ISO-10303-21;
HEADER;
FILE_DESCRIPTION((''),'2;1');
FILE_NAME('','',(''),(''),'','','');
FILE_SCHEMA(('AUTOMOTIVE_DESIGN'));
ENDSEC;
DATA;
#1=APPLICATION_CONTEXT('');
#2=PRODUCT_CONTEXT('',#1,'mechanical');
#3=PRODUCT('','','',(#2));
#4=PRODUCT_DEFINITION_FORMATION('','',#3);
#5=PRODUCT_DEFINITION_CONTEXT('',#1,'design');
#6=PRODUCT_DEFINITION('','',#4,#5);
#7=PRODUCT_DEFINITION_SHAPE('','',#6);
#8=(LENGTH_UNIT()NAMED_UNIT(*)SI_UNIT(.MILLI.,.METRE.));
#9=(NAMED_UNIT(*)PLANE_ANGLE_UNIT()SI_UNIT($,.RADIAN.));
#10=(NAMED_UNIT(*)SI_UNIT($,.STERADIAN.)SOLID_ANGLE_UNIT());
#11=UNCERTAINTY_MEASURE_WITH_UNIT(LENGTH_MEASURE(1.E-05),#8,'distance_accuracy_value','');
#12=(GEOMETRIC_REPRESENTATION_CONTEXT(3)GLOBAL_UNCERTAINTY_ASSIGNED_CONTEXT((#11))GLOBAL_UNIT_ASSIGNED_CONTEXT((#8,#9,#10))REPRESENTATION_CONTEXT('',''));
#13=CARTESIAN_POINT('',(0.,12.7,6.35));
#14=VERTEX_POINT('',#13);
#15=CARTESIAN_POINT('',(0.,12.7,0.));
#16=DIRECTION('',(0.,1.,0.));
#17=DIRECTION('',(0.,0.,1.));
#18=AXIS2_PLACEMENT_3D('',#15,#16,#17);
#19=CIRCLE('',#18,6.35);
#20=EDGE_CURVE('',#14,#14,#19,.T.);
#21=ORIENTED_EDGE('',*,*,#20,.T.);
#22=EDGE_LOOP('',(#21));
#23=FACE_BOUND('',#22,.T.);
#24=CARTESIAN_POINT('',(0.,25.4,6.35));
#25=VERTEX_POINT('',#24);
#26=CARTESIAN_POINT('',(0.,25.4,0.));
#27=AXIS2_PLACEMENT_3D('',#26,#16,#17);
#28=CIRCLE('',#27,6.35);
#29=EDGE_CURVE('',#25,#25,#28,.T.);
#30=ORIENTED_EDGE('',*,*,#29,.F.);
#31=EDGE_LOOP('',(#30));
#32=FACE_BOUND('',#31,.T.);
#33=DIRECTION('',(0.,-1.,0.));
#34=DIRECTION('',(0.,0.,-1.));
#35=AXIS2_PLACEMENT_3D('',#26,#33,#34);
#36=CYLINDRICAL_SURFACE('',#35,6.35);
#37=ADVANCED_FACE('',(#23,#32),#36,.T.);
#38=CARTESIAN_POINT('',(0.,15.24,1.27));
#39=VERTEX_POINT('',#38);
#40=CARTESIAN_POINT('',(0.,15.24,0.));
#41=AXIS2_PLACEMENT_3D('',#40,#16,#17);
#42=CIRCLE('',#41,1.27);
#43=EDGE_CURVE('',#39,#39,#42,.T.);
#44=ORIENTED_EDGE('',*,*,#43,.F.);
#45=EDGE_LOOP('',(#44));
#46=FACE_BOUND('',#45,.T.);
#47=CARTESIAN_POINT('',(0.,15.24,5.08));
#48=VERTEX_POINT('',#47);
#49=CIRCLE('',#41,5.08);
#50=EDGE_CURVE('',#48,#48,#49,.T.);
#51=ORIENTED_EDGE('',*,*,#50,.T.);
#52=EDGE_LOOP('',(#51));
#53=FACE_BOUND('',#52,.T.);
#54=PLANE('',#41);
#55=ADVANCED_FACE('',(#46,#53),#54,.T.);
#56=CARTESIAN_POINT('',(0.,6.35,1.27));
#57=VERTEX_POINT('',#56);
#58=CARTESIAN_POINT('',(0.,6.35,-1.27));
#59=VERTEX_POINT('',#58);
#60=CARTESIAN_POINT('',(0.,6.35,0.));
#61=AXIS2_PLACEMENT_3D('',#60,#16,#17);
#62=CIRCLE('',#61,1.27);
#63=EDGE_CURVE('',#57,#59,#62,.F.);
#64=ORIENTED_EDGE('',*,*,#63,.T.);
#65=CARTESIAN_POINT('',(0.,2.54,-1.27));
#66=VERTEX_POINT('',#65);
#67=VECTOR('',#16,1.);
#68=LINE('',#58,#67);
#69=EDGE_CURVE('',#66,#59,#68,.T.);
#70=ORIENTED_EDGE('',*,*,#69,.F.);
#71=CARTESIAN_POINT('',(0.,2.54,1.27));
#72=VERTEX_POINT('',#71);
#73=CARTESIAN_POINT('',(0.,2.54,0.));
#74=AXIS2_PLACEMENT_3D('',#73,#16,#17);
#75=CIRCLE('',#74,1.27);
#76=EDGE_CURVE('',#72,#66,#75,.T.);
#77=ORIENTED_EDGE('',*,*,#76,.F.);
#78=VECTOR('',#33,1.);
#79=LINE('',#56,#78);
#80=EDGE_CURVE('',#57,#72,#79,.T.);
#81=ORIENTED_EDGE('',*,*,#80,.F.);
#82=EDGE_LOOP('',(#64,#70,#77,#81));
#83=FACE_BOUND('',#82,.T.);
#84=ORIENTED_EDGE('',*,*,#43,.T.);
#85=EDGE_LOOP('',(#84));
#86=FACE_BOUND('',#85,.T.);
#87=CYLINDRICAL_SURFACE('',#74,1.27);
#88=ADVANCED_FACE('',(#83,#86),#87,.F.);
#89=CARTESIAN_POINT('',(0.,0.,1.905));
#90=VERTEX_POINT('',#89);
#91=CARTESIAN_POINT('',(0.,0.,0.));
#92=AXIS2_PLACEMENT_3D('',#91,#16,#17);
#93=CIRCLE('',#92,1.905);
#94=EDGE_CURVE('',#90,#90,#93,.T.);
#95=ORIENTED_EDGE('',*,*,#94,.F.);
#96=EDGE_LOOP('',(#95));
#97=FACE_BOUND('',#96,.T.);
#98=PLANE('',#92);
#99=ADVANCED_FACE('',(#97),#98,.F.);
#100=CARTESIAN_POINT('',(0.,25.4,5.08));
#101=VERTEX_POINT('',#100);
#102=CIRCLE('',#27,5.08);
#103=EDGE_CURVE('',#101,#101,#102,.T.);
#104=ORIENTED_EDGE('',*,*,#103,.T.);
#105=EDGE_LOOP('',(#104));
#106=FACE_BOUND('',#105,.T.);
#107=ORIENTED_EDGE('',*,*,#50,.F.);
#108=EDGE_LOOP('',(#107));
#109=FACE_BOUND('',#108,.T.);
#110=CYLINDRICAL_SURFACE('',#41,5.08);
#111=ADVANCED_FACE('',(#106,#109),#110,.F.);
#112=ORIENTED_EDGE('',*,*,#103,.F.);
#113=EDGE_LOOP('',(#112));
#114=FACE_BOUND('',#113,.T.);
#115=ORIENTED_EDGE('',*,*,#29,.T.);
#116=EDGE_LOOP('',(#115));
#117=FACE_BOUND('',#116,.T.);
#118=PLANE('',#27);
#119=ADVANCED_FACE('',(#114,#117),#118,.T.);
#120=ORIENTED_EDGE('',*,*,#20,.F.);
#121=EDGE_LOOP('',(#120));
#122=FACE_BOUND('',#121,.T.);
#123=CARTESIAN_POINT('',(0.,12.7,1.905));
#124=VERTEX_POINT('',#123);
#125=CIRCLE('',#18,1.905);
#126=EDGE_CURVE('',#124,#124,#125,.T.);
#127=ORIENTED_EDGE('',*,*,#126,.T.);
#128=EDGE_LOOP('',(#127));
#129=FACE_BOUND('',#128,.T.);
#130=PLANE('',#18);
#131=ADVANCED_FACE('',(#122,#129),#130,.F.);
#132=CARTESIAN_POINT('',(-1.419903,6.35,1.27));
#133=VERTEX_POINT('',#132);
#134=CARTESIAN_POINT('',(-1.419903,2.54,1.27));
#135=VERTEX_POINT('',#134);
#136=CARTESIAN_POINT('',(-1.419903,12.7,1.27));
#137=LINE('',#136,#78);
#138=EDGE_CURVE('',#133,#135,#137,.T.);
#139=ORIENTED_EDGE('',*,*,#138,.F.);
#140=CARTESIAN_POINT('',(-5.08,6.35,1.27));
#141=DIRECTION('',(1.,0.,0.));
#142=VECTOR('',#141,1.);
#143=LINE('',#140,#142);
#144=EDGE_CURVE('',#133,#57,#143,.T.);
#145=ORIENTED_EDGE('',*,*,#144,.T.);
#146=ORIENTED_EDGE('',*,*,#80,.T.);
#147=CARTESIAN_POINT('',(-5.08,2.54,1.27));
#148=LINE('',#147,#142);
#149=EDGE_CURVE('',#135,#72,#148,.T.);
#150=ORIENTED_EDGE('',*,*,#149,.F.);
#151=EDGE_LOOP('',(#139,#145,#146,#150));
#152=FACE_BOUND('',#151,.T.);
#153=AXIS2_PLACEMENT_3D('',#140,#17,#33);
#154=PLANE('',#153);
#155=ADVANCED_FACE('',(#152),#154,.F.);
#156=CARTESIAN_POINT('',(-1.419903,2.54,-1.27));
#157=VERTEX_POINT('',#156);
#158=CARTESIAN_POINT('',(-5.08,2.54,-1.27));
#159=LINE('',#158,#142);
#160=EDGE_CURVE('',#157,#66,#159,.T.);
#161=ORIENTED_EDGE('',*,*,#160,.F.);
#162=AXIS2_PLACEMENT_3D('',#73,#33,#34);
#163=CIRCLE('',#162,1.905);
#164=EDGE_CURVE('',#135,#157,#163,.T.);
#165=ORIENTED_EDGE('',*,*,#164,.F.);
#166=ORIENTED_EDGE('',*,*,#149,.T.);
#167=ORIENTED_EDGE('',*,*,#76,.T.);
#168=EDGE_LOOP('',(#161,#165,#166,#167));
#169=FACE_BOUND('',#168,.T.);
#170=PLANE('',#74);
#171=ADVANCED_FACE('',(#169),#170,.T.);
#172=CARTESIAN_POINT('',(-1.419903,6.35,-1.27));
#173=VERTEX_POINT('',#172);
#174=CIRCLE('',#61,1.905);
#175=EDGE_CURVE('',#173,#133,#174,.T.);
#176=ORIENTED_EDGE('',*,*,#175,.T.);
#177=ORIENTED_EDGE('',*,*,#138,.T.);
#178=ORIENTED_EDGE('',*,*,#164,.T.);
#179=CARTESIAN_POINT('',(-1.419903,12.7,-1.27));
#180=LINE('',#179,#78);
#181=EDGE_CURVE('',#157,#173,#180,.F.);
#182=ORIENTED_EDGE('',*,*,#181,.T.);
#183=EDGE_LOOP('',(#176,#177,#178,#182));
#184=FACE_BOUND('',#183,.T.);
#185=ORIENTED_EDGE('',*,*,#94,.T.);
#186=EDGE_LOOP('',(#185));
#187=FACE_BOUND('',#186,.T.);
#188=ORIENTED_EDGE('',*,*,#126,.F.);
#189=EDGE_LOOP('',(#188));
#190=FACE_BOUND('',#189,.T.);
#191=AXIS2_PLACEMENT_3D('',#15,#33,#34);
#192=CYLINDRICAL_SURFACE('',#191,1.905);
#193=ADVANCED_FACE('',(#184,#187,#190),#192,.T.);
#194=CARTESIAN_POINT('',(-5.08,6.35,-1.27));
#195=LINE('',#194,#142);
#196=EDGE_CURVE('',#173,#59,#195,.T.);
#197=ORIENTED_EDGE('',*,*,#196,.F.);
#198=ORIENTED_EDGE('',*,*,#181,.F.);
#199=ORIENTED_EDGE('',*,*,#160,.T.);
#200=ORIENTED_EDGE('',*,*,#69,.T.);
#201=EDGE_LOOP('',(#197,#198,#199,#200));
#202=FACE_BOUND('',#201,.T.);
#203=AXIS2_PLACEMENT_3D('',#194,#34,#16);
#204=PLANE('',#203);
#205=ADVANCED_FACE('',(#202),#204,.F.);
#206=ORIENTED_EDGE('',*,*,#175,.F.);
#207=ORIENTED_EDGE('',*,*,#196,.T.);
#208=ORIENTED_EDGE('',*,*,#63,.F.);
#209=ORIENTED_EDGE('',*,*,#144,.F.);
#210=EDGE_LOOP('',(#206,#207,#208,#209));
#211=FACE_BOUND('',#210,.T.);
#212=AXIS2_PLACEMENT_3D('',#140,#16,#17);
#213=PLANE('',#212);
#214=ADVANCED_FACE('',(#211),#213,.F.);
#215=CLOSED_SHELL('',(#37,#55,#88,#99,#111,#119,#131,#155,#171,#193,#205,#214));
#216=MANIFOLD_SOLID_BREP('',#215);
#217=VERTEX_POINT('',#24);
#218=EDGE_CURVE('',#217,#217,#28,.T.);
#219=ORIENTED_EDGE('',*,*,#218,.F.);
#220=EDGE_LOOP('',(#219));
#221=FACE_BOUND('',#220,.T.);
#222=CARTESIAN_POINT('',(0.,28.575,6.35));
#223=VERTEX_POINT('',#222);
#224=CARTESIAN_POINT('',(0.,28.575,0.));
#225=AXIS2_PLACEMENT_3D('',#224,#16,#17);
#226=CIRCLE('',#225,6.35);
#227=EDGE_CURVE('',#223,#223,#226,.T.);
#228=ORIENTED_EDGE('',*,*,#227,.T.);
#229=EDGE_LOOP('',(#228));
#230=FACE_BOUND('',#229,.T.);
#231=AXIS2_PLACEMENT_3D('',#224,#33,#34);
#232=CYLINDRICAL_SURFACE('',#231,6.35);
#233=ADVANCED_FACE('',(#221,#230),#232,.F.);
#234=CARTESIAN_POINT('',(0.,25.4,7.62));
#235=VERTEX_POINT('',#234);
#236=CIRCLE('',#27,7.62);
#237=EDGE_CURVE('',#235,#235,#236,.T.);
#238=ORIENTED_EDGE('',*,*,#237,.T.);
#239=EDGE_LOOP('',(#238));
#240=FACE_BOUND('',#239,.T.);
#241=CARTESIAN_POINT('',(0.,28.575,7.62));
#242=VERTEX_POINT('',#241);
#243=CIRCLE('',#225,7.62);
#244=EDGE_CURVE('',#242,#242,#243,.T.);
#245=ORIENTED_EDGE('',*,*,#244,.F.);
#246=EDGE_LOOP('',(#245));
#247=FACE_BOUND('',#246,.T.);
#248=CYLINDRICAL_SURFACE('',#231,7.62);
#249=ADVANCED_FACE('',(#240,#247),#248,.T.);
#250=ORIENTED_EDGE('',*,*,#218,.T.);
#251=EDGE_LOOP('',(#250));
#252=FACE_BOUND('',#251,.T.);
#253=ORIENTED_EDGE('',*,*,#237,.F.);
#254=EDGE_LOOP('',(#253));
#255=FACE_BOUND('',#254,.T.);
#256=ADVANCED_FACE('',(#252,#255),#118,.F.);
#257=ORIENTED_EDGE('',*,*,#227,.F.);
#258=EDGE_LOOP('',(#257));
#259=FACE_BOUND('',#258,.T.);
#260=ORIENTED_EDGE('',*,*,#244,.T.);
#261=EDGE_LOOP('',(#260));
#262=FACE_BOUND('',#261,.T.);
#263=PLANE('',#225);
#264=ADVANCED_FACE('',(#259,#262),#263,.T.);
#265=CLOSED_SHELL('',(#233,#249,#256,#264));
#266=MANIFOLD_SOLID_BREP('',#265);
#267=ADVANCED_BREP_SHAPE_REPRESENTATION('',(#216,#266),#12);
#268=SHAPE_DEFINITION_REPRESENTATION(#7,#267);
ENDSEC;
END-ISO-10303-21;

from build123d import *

# Parameters (mm, degrees)
SKETCH1_R           = 1.905
BOSS_EXTRUDE1_DEPTH = 12.7
SKETCH2_R           = 6.35
BOSS_EXTRUDE2_DEPTH = 12.7
SKETCH4_R           = 5.08
CUT_EXTRUDE2_DEPTH  = 10.16
SKETCH5_R           = 1.27
CUT_EXTRUDE3_DEPTH  = 12.7
SKETCH6_W           = 2.54
SKETCH6_H           = 3.81
CUT_EXTRUDE4_DEPTH  = 5.08
SKETCH7_R           = 7.62
SKETCH7_R_2         = 6.35
BOSS_EXTRUDE3_DEPTH = 3.175


with BuildPart() as part:
    # Sketch1 → Boss-Extrude1 (new body)
    with BuildSketch(Plane(origin=(0, 0, 0), x_dir=(1, 0, 0), z_dir=(0, 1, 0))):
        with Locations(Location((0, 0, 0), (0, 0, 270))):
            Circle(SKETCH1_R)
    extrude(amount=BOSS_EXTRUDE1_DEPTH)

    # Sketch2 → Boss-Extrude2 (add)
    with BuildSketch(Plane(origin=(0, 12.7, 0), x_dir=(1, 0, 0), z_dir=(0, 1, 0))):
        with Locations(Location((0, 0, 0), (0, 0, 270))):
            Circle(SKETCH2_R)
    extrude(amount=BOSS_EXTRUDE2_DEPTH)

    # Sketch4 → Cut-Extrude2 (cut)
    with BuildSketch(Plane(origin=(0, 25.4, 0), x_dir=(1, 0, 0), z_dir=(0, 1, 0))):
        with Locations(Location((0, 0, 0), (0, 0, 270))):
            Circle(SKETCH4_R)
    extrude(amount=-CUT_EXTRUDE2_DEPTH, mode=Mode.SUBTRACT)

    # Sketch5 → Cut-Extrude3 (cut)
    with BuildSketch(Plane(origin=(0, 15.24, 0), x_dir=(1, 0, 0), z_dir=(0, 1, 0))):
        with Locations(Location((0, 0, 0), (0, 0, 270))):
            Circle(SKETCH5_R)
    extrude(amount=-CUT_EXTRUDE3_DEPTH, mode=Mode.SUBTRACT)

    # Sketch6 → Cut-Extrude4 (cut)
    with BuildSketch(Plane(origin=(0, 0, 0), x_dir=(0, 0, -1), z_dir=(1, 0, 0))):
        with Locations((0, 4.445)):
            Rectangle(SKETCH6_W, SKETCH6_H)
    extrude(amount=-CUT_EXTRUDE4_DEPTH, mode=Mode.SUBTRACT)


with BuildPart() as body_2:
    # Sketch7 → Boss-Extrude3 (new body)
    with BuildSketch(Plane(origin=(0, 25.4, 0), x_dir=(1, 0, 0), z_dir=(0, 1, 0))):
        with Locations(Location((0, 0, 0), (0, 0, 270))):
            Circle(SKETCH7_R)
        with Locations(Location((0, 0, 0), (0, 0, 270))):
            Circle(SKETCH7_R_2, mode=Mode.SUBTRACT)
    extrude(amount=BOSS_EXTRUDE3_DEPTH)


solid = Compound([part.part, body_2.part])
